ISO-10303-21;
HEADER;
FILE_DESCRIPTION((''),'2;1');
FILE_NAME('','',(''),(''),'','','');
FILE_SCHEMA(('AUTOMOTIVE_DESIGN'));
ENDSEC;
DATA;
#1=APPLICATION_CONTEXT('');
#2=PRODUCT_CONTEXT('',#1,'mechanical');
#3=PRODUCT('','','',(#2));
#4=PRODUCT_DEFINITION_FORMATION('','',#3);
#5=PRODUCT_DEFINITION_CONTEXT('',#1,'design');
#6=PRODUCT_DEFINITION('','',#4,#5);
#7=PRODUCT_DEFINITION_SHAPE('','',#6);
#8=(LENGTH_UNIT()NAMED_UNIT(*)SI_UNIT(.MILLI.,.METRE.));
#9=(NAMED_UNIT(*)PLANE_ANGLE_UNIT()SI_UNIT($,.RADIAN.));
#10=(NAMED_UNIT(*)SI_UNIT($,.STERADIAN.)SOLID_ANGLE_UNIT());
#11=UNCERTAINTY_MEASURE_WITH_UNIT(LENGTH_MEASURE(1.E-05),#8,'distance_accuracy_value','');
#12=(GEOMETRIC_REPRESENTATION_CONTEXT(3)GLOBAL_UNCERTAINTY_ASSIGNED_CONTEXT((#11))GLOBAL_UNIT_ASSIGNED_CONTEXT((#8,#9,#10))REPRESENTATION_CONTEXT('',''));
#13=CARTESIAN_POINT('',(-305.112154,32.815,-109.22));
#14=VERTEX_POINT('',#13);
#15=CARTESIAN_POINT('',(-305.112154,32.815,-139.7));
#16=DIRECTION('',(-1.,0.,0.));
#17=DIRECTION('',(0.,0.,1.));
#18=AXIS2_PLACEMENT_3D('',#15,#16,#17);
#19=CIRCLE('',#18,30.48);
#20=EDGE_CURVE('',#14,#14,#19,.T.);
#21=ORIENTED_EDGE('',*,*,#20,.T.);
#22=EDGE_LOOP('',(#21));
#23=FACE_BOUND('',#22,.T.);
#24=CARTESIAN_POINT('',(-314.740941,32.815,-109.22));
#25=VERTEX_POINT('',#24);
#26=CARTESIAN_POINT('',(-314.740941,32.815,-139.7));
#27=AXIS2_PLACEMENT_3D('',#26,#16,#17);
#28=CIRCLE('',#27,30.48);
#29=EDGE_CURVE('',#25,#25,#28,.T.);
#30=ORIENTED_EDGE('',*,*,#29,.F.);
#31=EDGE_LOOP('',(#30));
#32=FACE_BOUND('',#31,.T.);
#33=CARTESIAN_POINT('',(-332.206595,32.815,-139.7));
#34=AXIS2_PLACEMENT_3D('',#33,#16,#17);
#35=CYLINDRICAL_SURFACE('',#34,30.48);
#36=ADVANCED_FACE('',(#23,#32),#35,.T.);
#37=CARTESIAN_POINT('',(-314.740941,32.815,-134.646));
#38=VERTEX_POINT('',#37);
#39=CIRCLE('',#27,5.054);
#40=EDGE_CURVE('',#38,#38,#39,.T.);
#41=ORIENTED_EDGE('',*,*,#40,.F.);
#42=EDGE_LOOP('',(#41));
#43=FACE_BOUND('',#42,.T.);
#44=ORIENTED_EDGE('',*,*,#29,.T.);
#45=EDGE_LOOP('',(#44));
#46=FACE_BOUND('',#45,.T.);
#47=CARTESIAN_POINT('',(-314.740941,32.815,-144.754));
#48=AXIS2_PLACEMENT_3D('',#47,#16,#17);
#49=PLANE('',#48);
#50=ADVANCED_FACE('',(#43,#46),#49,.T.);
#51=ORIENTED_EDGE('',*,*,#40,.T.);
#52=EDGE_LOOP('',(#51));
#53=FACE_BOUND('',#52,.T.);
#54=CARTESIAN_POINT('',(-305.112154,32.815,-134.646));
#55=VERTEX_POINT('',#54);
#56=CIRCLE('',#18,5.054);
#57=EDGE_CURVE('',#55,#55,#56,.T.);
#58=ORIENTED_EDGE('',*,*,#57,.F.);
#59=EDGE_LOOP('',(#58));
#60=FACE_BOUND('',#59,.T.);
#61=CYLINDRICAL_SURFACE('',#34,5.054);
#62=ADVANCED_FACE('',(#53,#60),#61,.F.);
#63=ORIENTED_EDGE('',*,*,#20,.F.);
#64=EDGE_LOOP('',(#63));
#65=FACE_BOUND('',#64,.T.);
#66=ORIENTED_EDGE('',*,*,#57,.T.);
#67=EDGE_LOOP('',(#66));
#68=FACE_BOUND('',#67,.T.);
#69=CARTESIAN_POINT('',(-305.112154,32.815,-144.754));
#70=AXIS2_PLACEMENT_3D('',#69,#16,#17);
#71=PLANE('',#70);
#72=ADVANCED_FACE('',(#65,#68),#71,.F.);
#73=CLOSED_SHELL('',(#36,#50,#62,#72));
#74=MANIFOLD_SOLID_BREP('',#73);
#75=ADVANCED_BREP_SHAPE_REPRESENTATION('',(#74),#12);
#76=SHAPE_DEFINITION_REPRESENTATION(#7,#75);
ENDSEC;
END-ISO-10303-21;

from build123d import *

# Parameters (mm, degrees)
SKETCH2_W = 9.628787261
SKETCH2_H = 25.426


with BuildPart() as part:
    # Sketch2 → Revolve1 (revolve)
    with BuildSketch(Plane.XZ.offset(-32.815)):
        with Locations((-309.926547775, -157.467)):
            Rectangle(SKETCH2_W, SKETCH2_H)
    revolve(axis=Axis((-332.206594657, 32.815, -139.7), (1, 0, 0)))


solid = part.part
